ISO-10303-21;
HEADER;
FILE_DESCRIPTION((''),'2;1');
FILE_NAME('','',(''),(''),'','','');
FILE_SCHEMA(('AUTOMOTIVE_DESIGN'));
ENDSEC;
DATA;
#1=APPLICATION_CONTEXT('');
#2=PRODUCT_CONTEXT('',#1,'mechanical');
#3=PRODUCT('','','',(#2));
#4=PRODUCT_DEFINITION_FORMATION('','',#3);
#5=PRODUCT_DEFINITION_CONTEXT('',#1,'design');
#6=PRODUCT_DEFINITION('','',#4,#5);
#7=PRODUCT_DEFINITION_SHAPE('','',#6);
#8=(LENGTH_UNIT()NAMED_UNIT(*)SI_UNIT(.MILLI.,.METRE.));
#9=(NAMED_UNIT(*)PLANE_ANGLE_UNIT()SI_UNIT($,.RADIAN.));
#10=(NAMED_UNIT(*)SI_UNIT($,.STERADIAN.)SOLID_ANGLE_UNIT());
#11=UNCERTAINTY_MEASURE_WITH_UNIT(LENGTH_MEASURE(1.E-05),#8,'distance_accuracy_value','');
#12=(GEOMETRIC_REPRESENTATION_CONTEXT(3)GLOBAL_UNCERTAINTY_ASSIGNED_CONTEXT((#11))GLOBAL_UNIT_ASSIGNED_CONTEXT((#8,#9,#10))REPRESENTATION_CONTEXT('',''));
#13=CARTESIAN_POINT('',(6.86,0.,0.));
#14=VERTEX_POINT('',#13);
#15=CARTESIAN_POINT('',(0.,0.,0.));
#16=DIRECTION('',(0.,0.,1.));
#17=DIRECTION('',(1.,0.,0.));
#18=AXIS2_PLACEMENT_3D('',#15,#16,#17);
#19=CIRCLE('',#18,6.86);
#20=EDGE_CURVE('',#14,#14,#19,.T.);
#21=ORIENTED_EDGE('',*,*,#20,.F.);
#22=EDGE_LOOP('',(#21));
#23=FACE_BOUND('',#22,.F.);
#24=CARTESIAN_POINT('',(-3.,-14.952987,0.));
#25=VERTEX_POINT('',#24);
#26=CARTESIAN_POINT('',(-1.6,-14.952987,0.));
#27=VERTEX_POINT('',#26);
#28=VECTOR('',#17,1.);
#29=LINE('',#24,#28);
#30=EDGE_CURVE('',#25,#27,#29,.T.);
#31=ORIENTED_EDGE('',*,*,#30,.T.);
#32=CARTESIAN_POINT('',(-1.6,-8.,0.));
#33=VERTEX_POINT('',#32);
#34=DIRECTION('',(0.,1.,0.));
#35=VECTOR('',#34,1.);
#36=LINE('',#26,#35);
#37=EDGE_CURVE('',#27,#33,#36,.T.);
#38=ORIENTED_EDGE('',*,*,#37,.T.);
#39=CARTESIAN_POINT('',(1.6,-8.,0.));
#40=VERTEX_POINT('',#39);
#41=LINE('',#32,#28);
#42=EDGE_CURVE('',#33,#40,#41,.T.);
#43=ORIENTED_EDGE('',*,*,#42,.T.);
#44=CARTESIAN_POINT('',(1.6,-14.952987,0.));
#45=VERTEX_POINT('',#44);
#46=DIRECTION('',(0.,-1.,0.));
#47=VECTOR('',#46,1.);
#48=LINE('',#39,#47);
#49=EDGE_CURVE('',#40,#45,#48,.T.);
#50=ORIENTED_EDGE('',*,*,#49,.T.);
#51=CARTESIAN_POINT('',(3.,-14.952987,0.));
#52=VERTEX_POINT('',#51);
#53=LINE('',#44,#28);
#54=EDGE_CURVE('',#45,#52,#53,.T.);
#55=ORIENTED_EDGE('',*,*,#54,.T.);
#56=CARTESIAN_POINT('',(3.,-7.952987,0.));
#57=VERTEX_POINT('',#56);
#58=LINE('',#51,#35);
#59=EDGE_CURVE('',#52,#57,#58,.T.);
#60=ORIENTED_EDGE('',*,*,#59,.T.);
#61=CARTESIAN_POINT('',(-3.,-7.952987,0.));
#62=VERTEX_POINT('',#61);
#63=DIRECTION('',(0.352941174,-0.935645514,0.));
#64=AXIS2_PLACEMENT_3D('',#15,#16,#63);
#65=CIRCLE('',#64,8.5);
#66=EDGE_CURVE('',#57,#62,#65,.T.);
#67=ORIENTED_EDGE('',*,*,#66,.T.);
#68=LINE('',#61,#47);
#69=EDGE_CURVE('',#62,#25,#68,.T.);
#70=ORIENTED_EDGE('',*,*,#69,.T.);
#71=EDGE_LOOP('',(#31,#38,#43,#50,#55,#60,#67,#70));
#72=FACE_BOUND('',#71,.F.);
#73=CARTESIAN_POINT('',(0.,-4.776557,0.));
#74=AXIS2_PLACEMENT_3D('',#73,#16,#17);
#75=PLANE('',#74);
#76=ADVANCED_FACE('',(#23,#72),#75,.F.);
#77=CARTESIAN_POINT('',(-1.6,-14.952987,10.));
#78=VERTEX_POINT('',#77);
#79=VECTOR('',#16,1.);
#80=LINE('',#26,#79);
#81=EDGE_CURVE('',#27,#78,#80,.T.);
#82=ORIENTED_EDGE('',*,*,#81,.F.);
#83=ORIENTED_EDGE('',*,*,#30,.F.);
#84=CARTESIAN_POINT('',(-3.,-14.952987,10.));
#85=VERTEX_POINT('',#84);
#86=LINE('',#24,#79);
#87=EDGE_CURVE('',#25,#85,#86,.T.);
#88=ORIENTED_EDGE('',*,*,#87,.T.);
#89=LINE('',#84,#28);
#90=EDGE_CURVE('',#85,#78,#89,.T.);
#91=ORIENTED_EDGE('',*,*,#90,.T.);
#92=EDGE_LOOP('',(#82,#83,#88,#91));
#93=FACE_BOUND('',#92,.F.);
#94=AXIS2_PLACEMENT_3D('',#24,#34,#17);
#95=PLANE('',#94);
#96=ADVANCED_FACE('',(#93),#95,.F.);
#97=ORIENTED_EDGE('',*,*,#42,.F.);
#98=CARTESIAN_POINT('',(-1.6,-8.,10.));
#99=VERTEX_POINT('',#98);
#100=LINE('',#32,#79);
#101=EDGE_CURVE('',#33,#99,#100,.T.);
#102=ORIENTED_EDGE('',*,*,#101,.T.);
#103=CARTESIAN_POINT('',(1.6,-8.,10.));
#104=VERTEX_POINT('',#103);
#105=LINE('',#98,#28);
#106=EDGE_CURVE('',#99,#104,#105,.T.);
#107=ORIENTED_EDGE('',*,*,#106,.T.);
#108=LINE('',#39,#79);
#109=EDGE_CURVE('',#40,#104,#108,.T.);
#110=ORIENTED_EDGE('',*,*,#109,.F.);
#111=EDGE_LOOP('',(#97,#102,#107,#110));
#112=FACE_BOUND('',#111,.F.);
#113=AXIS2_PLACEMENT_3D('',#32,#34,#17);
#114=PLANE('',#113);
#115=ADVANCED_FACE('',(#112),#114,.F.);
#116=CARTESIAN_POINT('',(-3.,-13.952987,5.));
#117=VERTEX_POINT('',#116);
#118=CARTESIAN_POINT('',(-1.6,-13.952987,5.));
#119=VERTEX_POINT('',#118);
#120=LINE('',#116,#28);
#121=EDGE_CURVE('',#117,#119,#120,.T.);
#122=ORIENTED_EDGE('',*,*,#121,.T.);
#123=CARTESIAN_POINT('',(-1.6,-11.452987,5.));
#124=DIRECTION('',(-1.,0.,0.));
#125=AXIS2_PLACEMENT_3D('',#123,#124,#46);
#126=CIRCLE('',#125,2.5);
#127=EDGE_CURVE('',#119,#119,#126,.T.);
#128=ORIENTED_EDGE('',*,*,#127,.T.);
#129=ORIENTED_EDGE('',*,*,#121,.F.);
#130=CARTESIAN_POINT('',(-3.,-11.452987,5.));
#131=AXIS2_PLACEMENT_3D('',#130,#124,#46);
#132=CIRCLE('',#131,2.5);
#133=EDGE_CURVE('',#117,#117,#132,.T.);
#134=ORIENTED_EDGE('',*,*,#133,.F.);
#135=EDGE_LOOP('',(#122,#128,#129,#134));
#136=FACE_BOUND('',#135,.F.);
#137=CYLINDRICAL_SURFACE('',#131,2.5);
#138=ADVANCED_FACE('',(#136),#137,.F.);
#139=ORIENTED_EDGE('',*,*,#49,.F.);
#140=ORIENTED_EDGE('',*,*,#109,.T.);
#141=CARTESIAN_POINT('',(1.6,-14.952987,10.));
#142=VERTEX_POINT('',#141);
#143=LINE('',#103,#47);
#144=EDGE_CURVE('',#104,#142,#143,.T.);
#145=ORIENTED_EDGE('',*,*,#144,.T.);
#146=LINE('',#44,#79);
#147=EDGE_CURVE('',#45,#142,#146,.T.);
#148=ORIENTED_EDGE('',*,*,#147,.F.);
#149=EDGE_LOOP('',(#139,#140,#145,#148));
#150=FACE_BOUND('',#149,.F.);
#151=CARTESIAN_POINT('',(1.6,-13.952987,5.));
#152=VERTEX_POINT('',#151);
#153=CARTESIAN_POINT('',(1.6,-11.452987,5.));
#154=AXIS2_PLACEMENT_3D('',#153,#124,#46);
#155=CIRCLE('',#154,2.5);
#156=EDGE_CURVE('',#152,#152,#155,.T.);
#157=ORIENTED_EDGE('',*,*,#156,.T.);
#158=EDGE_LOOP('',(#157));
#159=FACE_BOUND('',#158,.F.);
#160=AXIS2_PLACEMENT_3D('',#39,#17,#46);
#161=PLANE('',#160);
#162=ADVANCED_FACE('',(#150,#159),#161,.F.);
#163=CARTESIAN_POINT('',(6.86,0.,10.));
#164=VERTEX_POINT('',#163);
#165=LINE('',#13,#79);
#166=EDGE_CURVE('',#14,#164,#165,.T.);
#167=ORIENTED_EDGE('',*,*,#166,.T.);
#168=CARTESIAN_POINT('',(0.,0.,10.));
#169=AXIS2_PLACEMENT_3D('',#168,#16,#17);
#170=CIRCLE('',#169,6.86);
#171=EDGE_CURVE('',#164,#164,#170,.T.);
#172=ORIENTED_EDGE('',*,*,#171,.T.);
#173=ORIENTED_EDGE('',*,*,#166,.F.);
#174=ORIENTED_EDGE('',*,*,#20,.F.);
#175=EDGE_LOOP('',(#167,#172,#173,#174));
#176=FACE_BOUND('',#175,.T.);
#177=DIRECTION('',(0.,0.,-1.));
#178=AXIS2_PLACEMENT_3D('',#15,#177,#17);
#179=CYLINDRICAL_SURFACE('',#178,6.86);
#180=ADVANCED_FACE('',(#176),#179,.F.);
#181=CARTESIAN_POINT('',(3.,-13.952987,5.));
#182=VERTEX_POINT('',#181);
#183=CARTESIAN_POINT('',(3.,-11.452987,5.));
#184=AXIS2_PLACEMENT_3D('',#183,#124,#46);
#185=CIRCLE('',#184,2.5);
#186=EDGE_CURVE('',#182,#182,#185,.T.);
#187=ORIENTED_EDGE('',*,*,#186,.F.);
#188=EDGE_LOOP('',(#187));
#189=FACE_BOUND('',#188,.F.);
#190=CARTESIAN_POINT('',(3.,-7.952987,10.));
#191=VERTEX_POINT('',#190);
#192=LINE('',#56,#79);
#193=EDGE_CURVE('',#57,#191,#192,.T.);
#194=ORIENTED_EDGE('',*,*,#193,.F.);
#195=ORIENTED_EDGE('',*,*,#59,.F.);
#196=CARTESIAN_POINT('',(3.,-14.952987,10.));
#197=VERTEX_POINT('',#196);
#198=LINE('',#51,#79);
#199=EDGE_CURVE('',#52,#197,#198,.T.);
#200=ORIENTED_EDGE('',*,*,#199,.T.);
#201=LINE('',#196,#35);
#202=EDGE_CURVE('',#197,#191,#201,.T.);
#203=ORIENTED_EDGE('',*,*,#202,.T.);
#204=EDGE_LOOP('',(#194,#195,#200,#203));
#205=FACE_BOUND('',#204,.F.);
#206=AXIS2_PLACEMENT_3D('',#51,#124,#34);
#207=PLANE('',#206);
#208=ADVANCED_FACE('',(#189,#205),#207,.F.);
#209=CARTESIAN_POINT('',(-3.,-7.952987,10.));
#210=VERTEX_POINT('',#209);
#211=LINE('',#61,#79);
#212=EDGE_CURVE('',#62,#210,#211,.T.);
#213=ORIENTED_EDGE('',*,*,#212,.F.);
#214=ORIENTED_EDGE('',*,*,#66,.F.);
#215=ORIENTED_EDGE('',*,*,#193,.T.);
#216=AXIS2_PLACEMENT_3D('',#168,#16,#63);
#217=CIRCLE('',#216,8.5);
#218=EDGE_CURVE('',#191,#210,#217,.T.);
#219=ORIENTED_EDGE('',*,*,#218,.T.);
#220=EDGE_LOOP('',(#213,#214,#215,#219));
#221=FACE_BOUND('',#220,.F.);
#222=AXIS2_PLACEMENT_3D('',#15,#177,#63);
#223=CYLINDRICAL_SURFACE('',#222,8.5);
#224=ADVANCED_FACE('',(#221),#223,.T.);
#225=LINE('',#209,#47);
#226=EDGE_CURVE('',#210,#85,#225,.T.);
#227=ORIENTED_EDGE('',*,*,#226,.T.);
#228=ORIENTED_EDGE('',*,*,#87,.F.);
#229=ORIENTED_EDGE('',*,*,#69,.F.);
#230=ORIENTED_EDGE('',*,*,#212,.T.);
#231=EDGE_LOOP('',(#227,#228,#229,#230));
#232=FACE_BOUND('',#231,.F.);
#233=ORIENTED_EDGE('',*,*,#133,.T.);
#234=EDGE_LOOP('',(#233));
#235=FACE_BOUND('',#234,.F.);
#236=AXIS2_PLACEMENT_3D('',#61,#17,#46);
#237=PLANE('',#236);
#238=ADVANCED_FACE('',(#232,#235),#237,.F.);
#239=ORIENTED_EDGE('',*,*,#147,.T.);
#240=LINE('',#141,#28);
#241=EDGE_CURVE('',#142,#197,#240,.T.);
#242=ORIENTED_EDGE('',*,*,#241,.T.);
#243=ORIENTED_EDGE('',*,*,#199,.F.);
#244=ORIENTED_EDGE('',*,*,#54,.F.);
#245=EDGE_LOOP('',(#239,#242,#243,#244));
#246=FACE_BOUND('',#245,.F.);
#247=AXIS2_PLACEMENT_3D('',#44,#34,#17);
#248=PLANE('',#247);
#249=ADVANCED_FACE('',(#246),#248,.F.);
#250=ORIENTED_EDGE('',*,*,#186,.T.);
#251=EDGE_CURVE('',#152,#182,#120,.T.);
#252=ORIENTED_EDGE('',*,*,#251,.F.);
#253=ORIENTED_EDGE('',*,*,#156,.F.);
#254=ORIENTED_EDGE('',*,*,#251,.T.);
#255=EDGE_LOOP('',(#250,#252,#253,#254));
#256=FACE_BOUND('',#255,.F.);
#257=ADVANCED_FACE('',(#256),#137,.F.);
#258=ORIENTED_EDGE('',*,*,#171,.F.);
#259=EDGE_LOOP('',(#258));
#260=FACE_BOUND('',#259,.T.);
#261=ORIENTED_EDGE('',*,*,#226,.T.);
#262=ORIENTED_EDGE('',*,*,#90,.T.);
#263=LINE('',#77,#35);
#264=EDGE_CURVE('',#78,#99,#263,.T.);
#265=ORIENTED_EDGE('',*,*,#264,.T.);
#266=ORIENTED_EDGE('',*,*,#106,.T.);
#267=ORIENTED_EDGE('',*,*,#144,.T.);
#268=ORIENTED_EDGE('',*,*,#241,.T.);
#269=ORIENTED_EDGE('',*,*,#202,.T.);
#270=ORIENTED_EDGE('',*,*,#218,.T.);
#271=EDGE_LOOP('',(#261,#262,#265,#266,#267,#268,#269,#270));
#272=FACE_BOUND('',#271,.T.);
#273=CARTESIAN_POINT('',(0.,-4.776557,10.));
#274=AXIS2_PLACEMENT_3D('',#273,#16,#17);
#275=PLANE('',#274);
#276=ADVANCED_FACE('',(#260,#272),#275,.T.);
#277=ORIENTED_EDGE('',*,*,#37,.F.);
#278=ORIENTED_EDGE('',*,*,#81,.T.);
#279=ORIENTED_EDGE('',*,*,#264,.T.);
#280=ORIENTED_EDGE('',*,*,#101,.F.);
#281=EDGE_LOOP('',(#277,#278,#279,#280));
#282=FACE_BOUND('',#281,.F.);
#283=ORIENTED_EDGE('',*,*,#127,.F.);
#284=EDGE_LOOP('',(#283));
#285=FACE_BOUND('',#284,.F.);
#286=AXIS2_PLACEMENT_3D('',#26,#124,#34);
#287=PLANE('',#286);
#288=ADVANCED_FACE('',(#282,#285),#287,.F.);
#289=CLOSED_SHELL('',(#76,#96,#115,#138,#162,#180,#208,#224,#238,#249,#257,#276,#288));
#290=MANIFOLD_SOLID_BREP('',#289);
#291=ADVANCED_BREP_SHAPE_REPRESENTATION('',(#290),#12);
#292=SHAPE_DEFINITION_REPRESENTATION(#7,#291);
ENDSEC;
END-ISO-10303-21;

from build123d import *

# Parameters (mm, degrees)
F0_R     = 6.86
F1_DEPTH = 10
F2_R     = 2.5
F3_DEPTH = 11.501


with BuildPart() as f1:
    # F0 (on Top) → F1 (new body)
    with BuildSketch(Plane.XY):
        with BuildLine():
            Line((3, -14.952987), (3, -7.952987))
            ThreePointArc((3, -7.952987), (0, 8.5), (-3, -7.952987))
            Line((-3, -7.952987), (-3, -14.952987))
            Line((-3, -14.952987), (-1.6, -14.952987))
            Line((-1.6, -14.952987), (-1.6, -8))
            Line((-1.6, -8), (1.6, -8))
            Line((1.6, -8), (1.6, -14.952987))
            Line((1.6, -14.952987), (3, -14.952987))
        make_face()
        Circle(F0_R, mode=Mode.SUBTRACT)
    extrude(amount=F1_DEPTH)

    # F2 (on face) → F3 (cut, through all)
    with BuildSketch(Plane(origin=(-3, 0, 0), x_dir=(0, -1, 0), z_dir=(-1, 0, 0))):
        with Locations((11.452987, 5)):
            Circle(F2_R)
    extrude(amount=-F3_DEPTH, mode=Mode.SUBTRACT)


solid = f1.part
